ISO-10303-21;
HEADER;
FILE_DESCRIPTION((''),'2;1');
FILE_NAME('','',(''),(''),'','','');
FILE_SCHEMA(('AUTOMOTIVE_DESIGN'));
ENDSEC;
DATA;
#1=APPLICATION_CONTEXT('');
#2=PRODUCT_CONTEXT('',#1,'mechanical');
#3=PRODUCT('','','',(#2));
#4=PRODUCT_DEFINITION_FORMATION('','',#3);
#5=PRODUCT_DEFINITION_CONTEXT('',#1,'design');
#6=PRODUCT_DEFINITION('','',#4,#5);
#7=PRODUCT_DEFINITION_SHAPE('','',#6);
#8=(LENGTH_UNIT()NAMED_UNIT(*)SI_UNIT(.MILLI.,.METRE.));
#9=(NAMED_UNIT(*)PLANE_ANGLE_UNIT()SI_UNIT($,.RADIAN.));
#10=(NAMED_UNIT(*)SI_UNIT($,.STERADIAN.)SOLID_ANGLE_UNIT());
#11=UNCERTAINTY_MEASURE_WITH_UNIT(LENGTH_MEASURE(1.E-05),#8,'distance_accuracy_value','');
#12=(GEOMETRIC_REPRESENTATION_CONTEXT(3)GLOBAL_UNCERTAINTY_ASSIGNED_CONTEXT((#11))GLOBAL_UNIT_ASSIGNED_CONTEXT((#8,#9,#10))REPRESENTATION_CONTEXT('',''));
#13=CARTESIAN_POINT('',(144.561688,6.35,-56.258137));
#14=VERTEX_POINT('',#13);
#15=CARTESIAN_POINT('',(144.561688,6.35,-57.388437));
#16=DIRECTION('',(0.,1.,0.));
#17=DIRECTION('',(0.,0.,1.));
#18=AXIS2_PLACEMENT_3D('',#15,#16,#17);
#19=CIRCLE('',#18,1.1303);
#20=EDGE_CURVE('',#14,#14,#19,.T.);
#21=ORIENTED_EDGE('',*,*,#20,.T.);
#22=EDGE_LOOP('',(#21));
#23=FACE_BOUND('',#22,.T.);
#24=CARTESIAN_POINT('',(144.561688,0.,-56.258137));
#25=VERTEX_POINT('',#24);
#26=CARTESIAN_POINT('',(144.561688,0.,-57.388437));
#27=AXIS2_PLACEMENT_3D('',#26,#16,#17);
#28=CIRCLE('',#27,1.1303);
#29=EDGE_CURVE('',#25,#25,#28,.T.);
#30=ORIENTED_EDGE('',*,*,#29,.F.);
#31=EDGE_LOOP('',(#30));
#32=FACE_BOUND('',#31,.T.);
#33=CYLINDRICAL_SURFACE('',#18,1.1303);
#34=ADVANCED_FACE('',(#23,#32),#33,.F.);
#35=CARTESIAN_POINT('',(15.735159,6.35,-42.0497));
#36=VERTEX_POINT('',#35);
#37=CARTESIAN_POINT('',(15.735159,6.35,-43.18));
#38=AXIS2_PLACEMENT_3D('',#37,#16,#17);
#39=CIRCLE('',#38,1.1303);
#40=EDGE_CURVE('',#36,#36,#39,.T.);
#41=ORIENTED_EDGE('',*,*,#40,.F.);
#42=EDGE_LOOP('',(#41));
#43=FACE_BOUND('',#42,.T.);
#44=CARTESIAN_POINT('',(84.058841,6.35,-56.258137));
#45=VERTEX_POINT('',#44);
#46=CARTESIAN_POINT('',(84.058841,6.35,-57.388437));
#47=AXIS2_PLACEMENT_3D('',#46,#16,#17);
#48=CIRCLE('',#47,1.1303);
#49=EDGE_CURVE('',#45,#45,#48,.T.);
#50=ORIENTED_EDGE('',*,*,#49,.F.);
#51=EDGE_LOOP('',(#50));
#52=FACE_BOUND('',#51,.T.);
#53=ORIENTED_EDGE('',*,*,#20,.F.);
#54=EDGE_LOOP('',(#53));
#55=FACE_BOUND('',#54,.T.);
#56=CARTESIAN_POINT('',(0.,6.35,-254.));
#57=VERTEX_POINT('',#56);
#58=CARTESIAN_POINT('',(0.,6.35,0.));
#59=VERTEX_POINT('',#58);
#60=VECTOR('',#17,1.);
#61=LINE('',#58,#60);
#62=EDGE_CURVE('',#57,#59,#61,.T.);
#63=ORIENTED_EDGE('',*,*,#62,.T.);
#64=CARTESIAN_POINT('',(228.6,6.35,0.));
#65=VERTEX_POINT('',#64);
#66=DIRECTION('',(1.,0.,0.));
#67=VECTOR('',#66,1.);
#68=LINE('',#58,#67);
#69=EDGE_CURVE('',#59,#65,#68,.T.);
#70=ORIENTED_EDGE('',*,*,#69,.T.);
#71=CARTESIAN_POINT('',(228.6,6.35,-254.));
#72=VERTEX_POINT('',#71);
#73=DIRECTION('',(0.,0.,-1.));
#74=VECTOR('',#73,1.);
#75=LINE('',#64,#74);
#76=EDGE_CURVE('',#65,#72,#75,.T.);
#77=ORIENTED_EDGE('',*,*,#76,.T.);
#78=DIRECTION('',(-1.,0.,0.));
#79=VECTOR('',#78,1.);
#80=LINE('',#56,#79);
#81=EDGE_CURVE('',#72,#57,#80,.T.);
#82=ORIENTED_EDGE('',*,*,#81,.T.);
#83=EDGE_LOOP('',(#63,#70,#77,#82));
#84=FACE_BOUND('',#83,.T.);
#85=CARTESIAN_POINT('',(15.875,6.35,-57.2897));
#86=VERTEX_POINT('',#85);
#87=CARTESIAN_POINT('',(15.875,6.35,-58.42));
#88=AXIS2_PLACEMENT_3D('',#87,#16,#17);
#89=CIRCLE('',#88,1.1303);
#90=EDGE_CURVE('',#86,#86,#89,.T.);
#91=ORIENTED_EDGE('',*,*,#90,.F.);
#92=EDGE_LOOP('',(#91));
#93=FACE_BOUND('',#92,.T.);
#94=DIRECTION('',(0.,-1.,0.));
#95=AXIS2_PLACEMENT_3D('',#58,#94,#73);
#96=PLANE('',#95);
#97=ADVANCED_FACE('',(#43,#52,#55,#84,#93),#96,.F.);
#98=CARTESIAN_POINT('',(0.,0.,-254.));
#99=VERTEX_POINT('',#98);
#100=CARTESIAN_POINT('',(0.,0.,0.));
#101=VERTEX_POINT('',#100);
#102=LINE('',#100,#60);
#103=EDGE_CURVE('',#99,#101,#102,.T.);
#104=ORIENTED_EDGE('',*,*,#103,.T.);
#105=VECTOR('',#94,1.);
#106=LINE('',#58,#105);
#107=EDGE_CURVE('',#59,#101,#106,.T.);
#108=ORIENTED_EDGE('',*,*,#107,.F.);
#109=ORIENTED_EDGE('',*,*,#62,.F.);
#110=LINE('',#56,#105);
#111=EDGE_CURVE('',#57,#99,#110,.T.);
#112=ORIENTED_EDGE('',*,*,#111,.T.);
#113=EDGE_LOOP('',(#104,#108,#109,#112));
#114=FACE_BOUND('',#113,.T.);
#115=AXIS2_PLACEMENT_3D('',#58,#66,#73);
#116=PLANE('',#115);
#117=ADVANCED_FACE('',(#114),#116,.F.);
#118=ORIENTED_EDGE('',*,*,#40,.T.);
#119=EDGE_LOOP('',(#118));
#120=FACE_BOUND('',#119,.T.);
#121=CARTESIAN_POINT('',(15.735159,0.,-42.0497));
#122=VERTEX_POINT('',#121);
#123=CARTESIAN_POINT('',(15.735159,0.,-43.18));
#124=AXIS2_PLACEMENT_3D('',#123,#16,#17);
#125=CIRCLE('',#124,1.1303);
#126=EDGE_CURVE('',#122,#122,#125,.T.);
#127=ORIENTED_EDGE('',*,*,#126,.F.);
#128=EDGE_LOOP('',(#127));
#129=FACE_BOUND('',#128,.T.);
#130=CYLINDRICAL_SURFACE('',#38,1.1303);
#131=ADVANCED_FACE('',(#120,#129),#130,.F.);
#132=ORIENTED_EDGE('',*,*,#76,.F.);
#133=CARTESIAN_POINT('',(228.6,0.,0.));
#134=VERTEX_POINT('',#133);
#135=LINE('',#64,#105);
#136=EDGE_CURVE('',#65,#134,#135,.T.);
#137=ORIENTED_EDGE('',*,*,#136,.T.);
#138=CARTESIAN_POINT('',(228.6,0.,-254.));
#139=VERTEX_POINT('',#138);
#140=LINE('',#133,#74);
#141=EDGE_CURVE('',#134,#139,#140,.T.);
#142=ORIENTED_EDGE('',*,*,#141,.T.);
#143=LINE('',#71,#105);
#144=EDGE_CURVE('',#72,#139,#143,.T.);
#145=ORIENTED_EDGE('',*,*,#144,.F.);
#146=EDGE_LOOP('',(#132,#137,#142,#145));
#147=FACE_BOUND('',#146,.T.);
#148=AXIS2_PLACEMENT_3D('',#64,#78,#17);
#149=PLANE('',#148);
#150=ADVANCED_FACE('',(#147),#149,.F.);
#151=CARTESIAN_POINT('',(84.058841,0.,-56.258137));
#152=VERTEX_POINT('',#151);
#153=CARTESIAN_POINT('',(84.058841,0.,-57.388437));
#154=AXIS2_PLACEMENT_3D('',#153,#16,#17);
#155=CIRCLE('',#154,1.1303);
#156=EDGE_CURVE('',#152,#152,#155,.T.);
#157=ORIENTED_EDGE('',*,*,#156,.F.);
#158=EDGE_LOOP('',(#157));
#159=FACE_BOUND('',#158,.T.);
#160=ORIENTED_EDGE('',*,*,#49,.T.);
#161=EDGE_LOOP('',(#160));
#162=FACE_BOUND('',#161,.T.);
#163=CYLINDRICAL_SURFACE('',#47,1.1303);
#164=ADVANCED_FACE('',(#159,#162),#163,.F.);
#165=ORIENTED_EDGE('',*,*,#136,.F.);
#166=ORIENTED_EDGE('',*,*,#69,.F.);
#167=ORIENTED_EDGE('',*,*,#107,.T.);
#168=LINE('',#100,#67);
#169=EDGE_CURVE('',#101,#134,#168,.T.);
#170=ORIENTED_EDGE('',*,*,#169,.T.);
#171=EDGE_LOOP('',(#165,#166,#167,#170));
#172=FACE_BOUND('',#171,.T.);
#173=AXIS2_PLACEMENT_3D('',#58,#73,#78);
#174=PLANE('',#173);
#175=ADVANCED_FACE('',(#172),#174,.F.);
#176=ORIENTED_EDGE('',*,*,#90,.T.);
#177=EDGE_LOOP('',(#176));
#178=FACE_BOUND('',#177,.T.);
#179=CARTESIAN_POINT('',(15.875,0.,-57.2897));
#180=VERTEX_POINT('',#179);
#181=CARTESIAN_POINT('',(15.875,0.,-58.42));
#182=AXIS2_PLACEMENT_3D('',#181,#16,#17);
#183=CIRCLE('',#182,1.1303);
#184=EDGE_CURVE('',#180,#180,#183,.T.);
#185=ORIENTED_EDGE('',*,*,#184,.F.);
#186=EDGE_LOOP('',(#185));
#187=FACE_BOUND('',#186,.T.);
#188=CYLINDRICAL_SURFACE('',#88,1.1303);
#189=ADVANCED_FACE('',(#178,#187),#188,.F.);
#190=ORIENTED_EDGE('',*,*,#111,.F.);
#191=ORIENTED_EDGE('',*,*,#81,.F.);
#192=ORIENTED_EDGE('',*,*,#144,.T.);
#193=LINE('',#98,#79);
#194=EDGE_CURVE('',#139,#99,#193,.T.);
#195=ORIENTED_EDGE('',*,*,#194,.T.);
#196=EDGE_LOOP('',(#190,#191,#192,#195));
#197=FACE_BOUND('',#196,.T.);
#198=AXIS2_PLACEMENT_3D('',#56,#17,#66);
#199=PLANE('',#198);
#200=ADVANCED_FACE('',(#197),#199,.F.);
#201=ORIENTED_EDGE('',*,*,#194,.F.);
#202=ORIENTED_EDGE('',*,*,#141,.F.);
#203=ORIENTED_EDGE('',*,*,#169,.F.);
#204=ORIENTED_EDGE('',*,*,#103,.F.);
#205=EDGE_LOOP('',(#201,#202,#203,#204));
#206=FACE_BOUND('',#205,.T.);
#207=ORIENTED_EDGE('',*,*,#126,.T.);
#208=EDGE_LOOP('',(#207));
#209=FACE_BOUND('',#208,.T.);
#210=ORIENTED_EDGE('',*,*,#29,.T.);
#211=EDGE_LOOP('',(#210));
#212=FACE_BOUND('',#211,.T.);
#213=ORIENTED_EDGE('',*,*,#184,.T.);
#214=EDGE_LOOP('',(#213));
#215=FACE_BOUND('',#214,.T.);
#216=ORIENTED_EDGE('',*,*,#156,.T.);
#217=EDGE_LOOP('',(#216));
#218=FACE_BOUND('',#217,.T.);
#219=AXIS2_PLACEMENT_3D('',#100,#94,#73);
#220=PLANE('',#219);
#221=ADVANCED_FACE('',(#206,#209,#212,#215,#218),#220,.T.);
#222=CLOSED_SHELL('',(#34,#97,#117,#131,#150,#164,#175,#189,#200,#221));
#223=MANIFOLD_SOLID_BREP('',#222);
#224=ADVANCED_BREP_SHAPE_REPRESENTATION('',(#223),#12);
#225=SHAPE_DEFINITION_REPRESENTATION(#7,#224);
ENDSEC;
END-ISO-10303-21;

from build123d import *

# Parameters (mm, degrees)
SKETCH1_W             = 228.6
SKETCH1_H             = 254
BOSS_EXTRUDE1_DEPTH   = 6.35
F_4_40_TAPPED_HOLE1_D = 2.2606


with BuildPart() as part:
    # Sketch1 → Boss-Extrude1 (new body)
    with BuildSketch(Plane(origin=(0, 0, 0), x_dir=(1, 0, 0), z_dir=(0, 1, 0))):
        with Locations((114.3, 127)):
            Rectangle(SKETCH1_W, SKETCH1_H)
    extrude(amount=BOSS_EXTRUDE1_DEPTH)

    # #4-40 Tapped Hole1 (through all)
    with Locations(Plane(origin=(0, 6.35, 0), x_dir=(1, 0, 0), z_dir=(0, 1, 0))):
        with Locations((15.735159407, 43.18), (15.875, 58.42), (84.05884141, 57.388437181), (144.561688198, 57.388437181)):
            Hole(F_4_40_TAPPED_HOLE1_D / 2)


solid = part.part
